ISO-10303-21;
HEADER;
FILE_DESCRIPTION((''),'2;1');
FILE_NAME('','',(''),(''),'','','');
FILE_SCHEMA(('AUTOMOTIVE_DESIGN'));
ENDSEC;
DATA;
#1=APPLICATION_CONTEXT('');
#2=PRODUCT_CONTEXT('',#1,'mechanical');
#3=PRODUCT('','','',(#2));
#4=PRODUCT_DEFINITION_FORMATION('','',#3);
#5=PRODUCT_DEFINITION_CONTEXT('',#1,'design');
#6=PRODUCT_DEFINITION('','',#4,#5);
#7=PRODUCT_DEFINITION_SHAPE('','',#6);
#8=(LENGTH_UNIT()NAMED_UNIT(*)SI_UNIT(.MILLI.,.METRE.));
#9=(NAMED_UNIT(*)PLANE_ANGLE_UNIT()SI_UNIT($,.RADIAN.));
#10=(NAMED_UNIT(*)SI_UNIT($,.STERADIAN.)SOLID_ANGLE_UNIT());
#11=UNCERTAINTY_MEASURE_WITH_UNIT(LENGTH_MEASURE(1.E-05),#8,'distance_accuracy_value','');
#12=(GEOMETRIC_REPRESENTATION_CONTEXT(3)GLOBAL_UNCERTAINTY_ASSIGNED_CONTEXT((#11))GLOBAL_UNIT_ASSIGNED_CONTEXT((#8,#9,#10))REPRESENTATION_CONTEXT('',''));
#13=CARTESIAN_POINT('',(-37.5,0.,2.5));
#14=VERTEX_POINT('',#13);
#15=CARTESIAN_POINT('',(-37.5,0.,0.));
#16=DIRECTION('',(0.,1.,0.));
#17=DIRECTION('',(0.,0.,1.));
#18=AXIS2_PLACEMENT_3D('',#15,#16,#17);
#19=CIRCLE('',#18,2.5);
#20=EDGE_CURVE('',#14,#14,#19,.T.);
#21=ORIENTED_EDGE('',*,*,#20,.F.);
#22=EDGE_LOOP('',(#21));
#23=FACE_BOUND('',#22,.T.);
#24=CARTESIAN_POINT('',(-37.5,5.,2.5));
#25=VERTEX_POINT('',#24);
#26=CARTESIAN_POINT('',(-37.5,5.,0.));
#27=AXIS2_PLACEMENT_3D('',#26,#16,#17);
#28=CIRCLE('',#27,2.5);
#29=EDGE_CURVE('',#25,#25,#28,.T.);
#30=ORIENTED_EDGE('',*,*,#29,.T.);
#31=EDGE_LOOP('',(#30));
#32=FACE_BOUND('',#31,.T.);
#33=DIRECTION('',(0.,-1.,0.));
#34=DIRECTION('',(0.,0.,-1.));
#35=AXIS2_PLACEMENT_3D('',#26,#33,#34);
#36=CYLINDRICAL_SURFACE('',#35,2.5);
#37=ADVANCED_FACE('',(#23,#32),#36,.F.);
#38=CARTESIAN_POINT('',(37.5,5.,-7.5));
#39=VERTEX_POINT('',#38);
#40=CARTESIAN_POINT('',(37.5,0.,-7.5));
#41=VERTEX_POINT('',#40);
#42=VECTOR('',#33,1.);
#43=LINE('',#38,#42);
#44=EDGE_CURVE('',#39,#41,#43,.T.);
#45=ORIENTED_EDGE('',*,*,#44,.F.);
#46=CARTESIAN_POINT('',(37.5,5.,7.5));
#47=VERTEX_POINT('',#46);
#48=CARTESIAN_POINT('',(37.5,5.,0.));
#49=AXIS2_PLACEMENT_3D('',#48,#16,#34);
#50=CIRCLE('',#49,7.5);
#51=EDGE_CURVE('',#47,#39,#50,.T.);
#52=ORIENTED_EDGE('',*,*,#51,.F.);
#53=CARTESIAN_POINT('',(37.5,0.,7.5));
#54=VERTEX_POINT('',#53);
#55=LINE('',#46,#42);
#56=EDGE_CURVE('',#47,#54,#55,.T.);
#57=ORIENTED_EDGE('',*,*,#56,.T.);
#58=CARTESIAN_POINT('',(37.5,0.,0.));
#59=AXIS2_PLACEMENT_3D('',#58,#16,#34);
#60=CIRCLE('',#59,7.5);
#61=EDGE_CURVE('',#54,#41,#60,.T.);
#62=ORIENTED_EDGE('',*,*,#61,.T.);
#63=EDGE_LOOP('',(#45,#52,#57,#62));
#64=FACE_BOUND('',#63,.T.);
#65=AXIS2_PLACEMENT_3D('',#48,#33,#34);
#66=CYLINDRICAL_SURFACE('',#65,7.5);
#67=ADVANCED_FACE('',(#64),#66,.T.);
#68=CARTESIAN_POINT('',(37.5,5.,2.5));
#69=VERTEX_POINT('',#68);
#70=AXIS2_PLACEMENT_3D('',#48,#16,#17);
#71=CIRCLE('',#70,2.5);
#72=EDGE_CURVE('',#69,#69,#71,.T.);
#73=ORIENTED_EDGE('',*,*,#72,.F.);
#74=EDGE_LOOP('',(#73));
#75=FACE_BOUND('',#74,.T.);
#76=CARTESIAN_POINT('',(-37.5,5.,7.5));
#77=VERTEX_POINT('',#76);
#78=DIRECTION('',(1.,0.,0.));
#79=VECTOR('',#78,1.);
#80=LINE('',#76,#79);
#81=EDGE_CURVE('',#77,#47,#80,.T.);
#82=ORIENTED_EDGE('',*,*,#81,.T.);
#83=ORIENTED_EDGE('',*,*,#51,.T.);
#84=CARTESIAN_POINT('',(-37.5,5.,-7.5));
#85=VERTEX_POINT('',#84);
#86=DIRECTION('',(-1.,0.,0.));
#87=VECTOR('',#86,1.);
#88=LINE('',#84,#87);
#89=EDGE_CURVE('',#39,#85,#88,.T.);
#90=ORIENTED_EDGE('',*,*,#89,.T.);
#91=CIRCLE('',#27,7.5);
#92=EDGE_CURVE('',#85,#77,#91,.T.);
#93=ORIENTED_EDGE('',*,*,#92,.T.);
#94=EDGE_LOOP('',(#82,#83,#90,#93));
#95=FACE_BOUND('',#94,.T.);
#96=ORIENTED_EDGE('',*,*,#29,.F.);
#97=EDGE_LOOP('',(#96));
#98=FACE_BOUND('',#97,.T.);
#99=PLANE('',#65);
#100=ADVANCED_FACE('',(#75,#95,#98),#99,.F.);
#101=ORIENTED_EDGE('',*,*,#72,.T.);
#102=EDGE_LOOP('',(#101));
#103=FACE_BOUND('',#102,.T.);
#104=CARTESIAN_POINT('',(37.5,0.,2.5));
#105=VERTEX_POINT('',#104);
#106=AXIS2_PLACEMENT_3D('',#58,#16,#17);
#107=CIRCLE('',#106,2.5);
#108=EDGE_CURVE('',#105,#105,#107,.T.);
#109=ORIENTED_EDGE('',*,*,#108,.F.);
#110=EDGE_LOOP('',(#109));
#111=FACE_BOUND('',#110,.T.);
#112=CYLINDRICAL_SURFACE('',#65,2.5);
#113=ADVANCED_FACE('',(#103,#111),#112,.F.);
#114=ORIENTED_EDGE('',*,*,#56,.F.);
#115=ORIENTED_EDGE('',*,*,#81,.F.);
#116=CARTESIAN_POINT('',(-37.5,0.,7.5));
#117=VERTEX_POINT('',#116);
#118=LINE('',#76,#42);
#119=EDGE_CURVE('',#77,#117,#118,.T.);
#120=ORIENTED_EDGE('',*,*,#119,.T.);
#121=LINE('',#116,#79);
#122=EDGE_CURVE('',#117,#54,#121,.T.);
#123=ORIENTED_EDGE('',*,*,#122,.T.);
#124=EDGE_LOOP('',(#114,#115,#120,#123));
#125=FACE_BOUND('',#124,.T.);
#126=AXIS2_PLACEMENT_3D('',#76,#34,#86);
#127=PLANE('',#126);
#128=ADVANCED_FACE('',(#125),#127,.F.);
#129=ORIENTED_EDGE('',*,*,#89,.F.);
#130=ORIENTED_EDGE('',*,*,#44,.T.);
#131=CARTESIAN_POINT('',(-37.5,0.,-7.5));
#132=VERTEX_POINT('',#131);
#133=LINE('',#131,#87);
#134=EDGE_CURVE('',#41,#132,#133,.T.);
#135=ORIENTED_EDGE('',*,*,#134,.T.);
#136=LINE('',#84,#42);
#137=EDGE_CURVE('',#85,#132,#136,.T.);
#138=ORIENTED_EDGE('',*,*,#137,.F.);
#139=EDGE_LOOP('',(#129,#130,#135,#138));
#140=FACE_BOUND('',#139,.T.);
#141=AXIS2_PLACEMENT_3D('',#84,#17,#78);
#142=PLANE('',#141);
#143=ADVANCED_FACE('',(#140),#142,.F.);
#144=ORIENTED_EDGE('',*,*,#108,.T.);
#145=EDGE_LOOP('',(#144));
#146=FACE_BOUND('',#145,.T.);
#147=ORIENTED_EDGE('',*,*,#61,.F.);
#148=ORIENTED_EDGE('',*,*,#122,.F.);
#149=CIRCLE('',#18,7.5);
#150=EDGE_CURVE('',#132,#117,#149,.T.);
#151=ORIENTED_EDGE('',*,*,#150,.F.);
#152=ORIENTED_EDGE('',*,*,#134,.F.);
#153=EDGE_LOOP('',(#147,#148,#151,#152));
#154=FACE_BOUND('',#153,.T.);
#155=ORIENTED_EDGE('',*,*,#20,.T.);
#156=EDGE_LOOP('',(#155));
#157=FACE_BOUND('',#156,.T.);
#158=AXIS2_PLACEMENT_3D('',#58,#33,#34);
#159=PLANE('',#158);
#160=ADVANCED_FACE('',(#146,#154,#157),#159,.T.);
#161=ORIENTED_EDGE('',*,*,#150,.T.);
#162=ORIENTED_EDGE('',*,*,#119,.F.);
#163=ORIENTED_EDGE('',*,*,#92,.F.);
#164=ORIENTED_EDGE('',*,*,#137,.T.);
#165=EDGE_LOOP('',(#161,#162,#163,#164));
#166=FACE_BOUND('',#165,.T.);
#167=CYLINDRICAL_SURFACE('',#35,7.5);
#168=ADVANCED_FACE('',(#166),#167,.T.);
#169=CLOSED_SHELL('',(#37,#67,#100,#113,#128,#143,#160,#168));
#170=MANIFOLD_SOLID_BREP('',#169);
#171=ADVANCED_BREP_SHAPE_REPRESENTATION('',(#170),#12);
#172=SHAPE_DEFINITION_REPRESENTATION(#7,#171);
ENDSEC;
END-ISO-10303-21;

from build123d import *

# Parameters (mm, degrees)
SKETCH1_R           = 2.5
BOSS_EXTRUDE1_DEPTH = 5


with BuildPart() as part:
    # Sketch1 → Boss-Extrude1 (new body)
    with BuildSketch(Plane(origin=(0, 0, 0), x_dir=(1, 0, 0), z_dir=(0, 1, 0))):
        with BuildLine():
            Line((-37.5, 7.5), (37.5, 7.5))
            ThreePointArc((37.5, 7.5), (45, 0), (37.5, -7.5))
            Line((37.5, -7.5), (-37.5, -7.5))
            ThreePointArc((-37.5, -7.5), (-45, 0), (-37.5, 7.5))
        make_face()
        with Locations(Location((37.5, 0, 0), (0, 0, 270))):
            Circle(SKETCH1_R, mode=Mode.SUBTRACT)
        with Locations(Location((-37.5, 0, 0), (0, 0, 270))):
            Circle(SKETCH1_R, mode=Mode.SUBTRACT)
    extrude(amount=BOSS_EXTRUDE1_DEPTH)


solid = part.part
